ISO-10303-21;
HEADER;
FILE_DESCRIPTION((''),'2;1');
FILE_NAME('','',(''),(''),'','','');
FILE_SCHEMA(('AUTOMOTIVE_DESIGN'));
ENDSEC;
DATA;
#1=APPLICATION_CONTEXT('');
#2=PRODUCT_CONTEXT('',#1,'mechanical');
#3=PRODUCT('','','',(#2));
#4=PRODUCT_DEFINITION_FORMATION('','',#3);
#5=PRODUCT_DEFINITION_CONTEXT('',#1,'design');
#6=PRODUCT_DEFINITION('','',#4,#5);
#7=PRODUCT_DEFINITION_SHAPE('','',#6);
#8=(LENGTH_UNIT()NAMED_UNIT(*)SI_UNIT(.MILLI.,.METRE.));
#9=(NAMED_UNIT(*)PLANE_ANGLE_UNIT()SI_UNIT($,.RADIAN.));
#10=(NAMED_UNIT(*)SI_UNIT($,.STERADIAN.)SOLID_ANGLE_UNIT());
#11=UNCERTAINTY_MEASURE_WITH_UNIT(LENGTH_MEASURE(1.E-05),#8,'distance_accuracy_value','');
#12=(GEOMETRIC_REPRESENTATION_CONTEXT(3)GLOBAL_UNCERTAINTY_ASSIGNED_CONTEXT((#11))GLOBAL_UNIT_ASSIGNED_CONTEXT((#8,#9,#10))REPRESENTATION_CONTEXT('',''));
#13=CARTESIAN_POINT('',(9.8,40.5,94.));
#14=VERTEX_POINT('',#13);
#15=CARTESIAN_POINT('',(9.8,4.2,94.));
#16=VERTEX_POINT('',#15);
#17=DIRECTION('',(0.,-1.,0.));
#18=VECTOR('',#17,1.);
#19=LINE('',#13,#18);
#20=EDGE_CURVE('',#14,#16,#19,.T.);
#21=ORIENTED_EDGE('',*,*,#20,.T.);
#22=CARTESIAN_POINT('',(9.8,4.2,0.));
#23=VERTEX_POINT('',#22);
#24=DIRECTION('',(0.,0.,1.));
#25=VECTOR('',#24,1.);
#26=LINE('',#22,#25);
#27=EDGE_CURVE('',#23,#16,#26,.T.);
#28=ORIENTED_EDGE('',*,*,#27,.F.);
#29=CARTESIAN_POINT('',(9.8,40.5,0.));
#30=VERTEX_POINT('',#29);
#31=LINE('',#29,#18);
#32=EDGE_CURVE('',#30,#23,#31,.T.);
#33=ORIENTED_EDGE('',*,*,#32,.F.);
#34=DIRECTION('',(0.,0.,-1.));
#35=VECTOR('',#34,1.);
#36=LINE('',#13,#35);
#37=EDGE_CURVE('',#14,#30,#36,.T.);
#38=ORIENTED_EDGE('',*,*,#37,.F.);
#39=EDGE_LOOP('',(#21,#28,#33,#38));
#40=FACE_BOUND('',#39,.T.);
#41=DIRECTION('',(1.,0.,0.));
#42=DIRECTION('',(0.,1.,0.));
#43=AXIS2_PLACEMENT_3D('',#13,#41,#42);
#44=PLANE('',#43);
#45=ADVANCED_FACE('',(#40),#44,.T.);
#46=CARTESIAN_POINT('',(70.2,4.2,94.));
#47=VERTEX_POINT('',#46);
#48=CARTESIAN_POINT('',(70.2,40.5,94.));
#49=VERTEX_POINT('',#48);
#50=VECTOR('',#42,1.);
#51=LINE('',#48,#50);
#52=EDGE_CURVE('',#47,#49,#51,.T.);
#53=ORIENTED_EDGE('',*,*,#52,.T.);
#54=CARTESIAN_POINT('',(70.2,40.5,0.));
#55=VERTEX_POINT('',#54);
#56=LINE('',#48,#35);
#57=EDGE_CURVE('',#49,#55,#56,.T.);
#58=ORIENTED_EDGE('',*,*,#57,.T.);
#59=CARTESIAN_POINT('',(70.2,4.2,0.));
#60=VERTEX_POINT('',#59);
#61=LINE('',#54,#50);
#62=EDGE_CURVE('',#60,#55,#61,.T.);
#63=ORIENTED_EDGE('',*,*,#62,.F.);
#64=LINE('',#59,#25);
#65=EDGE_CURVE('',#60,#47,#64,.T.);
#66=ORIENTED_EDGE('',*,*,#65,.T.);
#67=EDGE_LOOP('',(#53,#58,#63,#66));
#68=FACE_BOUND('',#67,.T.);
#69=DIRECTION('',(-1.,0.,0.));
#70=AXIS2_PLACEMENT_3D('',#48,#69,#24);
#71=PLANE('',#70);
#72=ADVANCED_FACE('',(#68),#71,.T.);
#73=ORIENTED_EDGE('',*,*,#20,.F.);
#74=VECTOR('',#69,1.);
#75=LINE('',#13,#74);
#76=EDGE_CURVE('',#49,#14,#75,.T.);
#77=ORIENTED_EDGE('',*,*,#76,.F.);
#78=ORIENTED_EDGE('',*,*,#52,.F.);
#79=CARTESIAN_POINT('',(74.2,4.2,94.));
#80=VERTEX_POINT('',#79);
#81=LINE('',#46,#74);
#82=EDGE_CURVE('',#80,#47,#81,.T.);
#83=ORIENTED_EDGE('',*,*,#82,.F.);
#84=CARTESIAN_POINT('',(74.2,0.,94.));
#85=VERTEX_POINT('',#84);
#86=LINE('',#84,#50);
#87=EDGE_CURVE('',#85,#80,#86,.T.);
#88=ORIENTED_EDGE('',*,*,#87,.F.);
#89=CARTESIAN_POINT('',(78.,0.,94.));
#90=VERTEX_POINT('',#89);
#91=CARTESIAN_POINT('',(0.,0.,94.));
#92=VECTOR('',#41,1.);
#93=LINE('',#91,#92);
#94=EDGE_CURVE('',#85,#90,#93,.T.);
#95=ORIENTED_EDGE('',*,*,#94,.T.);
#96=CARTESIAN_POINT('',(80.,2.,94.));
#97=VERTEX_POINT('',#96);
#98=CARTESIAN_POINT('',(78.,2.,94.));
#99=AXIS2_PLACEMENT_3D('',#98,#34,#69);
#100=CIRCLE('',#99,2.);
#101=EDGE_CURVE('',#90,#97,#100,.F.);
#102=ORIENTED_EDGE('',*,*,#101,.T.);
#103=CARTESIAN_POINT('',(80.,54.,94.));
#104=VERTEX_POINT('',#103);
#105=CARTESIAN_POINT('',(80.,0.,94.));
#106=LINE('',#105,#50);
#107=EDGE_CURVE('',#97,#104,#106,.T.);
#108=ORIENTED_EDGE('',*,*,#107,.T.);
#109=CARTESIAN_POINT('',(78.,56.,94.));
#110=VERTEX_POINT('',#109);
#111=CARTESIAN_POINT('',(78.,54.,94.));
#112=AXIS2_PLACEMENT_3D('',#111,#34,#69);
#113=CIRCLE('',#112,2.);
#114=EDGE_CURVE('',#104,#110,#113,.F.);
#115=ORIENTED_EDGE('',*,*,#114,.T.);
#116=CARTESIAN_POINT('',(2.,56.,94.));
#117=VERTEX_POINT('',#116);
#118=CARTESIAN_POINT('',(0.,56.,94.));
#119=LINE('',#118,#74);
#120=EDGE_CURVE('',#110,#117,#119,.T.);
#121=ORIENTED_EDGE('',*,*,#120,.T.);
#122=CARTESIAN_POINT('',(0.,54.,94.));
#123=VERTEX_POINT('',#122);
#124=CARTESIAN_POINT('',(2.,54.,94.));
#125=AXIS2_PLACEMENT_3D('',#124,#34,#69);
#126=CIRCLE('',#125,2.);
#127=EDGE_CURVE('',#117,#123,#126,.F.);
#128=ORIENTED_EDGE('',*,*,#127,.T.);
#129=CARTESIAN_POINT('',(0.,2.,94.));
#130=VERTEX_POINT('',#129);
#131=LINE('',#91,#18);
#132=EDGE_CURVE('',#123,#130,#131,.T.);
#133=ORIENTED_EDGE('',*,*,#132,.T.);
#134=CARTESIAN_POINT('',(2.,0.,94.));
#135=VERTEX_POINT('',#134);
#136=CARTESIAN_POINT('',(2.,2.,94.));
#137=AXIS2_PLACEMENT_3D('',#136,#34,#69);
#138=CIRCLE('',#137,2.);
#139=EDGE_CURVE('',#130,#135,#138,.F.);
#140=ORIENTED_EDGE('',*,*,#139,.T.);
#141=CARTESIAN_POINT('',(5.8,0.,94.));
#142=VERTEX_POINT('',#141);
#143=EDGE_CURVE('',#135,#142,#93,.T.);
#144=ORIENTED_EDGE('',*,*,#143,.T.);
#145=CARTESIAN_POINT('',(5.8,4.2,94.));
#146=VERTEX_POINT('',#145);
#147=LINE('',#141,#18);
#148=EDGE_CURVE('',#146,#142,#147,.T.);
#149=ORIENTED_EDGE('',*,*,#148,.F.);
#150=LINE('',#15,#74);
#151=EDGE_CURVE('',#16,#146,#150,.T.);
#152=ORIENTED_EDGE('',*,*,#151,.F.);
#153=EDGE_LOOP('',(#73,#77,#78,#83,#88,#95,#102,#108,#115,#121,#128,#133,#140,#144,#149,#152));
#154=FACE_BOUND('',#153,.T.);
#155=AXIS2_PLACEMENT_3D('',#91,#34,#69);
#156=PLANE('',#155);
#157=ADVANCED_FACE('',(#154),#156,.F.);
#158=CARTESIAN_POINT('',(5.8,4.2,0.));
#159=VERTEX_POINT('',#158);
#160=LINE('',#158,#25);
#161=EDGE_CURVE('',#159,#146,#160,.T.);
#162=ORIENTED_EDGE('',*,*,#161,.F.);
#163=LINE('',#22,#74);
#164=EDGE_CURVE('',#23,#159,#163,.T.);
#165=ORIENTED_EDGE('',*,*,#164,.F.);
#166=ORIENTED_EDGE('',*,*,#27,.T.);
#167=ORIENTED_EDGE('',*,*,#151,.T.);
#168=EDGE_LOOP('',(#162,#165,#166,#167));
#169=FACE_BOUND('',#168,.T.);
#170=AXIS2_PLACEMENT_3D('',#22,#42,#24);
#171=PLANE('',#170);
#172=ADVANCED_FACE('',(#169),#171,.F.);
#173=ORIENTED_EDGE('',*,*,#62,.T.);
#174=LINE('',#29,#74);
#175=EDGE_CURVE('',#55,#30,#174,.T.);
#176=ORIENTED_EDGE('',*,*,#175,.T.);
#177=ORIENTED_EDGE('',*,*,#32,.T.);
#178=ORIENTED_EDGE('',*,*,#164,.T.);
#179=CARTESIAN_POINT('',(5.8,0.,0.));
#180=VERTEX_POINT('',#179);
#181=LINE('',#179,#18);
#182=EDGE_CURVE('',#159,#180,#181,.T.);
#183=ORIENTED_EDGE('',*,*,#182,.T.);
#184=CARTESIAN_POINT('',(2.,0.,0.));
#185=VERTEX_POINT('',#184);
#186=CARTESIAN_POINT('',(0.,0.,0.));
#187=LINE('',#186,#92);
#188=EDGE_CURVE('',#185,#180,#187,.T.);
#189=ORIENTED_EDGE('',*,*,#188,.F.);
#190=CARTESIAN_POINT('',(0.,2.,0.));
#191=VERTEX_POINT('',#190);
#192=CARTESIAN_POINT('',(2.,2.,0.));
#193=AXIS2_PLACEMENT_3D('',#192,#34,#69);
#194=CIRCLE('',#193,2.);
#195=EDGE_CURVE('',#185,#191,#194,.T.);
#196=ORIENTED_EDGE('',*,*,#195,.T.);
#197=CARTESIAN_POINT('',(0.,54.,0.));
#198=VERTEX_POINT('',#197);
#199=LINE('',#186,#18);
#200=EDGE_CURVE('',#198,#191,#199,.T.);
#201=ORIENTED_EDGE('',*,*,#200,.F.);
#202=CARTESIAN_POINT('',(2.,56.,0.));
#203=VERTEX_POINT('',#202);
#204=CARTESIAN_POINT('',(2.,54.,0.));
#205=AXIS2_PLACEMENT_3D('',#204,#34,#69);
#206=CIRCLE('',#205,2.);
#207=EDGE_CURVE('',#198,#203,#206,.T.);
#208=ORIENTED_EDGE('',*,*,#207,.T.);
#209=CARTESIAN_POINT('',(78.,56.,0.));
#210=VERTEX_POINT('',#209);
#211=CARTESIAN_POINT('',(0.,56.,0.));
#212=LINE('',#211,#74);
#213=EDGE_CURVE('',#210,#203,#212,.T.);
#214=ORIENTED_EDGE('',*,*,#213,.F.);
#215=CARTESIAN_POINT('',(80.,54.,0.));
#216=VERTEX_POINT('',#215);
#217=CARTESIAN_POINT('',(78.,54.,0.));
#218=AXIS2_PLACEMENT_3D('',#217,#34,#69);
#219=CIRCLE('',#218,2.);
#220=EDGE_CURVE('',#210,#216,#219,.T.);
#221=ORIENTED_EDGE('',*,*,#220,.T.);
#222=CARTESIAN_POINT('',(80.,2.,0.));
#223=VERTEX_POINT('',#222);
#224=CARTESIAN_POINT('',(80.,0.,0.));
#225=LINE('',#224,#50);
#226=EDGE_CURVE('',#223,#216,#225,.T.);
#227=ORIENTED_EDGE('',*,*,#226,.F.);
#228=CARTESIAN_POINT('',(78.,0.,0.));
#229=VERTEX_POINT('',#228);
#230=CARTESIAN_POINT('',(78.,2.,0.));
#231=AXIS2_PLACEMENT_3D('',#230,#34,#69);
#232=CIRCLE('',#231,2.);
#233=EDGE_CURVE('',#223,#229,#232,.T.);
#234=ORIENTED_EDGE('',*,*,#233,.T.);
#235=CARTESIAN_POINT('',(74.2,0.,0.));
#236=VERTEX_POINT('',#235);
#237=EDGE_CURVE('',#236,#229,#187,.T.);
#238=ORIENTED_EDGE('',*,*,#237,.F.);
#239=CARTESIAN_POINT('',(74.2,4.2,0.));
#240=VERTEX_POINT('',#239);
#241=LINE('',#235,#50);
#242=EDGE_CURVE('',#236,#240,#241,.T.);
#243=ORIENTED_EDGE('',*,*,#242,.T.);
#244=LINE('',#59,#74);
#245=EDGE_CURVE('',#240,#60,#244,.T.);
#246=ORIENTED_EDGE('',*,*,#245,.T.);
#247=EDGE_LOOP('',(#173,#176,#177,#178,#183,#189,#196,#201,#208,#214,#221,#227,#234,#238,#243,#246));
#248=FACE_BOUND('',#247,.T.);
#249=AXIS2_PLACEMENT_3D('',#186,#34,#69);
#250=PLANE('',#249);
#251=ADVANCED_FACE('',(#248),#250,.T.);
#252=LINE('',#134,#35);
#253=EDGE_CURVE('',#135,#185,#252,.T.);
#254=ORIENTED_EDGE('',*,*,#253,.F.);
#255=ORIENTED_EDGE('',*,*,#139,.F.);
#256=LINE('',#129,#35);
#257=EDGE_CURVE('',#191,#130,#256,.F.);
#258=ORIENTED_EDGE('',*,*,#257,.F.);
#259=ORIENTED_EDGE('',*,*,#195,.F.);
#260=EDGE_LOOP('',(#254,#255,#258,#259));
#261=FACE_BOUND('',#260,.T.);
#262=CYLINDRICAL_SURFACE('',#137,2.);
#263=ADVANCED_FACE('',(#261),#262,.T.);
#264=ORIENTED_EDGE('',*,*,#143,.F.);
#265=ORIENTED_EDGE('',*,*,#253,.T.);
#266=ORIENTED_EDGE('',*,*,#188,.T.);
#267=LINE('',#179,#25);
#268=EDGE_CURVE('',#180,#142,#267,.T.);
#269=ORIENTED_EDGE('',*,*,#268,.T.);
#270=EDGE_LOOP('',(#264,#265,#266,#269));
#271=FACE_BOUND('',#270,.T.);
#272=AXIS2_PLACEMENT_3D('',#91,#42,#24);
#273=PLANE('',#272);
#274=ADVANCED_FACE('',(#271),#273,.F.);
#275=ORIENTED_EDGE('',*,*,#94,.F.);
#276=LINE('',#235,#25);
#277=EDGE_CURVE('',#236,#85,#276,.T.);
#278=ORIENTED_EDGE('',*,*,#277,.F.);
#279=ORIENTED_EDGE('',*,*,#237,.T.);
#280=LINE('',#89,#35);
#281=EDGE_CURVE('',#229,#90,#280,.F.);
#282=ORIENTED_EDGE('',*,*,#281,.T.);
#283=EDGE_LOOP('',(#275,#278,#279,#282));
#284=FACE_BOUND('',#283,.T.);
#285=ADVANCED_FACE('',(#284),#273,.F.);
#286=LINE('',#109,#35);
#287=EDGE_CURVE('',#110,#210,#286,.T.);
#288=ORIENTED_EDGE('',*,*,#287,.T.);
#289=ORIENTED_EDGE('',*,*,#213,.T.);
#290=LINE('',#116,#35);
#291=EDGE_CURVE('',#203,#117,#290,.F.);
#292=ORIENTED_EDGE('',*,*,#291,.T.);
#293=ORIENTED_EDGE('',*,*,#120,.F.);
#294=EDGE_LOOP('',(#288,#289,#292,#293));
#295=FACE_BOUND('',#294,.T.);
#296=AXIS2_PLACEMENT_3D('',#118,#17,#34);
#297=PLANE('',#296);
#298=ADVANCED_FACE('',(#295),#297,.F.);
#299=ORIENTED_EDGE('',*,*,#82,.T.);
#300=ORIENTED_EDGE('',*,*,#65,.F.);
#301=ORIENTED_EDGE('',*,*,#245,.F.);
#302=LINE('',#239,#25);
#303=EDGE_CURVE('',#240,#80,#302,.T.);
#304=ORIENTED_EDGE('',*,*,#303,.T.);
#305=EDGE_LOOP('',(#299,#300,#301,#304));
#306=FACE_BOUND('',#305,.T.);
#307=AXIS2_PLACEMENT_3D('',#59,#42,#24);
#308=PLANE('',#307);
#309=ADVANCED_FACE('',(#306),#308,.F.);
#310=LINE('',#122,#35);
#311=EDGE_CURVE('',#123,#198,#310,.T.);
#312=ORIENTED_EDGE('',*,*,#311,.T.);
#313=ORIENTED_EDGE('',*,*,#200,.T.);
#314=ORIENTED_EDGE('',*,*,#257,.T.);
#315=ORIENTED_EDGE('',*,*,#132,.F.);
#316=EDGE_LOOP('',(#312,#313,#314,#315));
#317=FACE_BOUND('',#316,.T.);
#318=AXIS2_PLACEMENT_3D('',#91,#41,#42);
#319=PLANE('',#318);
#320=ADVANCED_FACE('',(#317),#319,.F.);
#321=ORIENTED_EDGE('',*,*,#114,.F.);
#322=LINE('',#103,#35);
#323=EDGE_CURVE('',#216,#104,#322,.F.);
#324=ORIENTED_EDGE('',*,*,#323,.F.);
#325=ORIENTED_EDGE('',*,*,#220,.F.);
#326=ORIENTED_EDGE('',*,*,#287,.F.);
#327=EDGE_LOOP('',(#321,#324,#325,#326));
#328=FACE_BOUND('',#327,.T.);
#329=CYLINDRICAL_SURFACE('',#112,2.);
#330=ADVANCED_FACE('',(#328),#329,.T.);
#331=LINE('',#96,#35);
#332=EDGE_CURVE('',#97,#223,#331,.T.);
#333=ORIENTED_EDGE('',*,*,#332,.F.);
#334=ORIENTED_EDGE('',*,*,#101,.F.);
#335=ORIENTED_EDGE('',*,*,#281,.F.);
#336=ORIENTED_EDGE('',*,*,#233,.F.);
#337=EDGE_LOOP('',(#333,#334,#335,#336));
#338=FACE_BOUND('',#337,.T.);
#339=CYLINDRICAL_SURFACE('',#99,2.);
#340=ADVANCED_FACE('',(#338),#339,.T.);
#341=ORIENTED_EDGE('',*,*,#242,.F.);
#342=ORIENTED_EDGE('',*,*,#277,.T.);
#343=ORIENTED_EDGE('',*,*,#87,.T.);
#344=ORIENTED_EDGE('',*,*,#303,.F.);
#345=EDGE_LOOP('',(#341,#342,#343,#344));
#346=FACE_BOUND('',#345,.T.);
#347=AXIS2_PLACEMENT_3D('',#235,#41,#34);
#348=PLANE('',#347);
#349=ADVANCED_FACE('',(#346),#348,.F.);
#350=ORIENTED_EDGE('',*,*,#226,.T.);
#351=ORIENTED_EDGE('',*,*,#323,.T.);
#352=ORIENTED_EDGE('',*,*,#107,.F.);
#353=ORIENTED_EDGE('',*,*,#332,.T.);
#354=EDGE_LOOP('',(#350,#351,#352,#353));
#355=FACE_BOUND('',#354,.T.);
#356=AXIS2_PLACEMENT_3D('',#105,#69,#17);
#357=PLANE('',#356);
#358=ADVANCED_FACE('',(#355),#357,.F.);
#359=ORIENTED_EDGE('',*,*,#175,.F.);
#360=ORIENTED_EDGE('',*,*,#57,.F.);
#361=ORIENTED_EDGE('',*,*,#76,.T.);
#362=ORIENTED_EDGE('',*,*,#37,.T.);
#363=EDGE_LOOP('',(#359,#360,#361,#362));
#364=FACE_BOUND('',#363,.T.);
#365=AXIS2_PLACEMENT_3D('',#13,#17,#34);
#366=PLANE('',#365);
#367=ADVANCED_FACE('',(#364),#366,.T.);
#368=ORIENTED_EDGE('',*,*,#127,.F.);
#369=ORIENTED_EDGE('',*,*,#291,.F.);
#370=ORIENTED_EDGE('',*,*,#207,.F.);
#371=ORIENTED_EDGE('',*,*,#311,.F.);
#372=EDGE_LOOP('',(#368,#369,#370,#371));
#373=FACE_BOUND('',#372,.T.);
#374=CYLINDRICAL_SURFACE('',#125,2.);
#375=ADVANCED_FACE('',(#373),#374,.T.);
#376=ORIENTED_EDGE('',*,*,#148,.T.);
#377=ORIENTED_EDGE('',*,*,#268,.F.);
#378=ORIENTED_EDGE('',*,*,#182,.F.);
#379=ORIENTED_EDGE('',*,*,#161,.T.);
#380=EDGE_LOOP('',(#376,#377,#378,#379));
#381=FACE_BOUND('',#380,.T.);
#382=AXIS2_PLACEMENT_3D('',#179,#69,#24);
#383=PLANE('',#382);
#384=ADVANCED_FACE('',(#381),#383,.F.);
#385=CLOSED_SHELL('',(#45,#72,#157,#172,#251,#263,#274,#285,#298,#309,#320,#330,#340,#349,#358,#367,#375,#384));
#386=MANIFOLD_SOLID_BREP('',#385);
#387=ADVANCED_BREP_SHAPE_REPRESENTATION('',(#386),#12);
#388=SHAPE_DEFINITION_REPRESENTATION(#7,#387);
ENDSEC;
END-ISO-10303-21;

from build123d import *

# Parameters (mm, degrees)
SKETCH1_W           = 80
SKETCH1_H           = 56
SKETCH1_W_2         = 60.4
SKETCH1_H_2         = 30.2
BOSS_EXTRUDE1_DEPTH = 94
CUT_EXTRUDE1_DEPTH  = 136.543350999
FILLET1_R           = 2


with BuildPart() as part:
    # Sketch1 → Boss-Extrude1 (new body)
    with BuildSketch(Plane.XY):
        with Locations((40, 28)):
            Rectangle(SKETCH1_W, SKETCH1_H)
        with Locations((40, 25.4)):
            Rectangle(SKETCH1_W_2, SKETCH1_H_2, mode=Mode.SUBTRACT)
    extrude(amount=BOSS_EXTRUDE1_DEPTH)

    # Sketch2 → Cut-Extrude1 (cut, through all)
    with BuildSketch(Plane.XY.offset(94)):
        Polygon((9.8, 10.3), (70.2, 10.3), (70.2, 4.2), (74.2, 4.2), (74.2, 0), (70, 0), (10, 0), (5.8, 0), (5.8, 4.2), (9.8, 4.2), align=None)
    extrude(amount=-CUT_EXTRUDE1_DEPTH, mode=Mode.SUBTRACT)

    # Fillet1
    fillet1_edges = [part.edges().sort_by_distance(p)[0] for p in [
        (0, 56, 47),
        (80, 56, 47),
        (80, 0, 47),
        (0, 0, 47),
    ]]
    fillet(fillet1_edges, radius=FILLET1_R)


solid = part.part
